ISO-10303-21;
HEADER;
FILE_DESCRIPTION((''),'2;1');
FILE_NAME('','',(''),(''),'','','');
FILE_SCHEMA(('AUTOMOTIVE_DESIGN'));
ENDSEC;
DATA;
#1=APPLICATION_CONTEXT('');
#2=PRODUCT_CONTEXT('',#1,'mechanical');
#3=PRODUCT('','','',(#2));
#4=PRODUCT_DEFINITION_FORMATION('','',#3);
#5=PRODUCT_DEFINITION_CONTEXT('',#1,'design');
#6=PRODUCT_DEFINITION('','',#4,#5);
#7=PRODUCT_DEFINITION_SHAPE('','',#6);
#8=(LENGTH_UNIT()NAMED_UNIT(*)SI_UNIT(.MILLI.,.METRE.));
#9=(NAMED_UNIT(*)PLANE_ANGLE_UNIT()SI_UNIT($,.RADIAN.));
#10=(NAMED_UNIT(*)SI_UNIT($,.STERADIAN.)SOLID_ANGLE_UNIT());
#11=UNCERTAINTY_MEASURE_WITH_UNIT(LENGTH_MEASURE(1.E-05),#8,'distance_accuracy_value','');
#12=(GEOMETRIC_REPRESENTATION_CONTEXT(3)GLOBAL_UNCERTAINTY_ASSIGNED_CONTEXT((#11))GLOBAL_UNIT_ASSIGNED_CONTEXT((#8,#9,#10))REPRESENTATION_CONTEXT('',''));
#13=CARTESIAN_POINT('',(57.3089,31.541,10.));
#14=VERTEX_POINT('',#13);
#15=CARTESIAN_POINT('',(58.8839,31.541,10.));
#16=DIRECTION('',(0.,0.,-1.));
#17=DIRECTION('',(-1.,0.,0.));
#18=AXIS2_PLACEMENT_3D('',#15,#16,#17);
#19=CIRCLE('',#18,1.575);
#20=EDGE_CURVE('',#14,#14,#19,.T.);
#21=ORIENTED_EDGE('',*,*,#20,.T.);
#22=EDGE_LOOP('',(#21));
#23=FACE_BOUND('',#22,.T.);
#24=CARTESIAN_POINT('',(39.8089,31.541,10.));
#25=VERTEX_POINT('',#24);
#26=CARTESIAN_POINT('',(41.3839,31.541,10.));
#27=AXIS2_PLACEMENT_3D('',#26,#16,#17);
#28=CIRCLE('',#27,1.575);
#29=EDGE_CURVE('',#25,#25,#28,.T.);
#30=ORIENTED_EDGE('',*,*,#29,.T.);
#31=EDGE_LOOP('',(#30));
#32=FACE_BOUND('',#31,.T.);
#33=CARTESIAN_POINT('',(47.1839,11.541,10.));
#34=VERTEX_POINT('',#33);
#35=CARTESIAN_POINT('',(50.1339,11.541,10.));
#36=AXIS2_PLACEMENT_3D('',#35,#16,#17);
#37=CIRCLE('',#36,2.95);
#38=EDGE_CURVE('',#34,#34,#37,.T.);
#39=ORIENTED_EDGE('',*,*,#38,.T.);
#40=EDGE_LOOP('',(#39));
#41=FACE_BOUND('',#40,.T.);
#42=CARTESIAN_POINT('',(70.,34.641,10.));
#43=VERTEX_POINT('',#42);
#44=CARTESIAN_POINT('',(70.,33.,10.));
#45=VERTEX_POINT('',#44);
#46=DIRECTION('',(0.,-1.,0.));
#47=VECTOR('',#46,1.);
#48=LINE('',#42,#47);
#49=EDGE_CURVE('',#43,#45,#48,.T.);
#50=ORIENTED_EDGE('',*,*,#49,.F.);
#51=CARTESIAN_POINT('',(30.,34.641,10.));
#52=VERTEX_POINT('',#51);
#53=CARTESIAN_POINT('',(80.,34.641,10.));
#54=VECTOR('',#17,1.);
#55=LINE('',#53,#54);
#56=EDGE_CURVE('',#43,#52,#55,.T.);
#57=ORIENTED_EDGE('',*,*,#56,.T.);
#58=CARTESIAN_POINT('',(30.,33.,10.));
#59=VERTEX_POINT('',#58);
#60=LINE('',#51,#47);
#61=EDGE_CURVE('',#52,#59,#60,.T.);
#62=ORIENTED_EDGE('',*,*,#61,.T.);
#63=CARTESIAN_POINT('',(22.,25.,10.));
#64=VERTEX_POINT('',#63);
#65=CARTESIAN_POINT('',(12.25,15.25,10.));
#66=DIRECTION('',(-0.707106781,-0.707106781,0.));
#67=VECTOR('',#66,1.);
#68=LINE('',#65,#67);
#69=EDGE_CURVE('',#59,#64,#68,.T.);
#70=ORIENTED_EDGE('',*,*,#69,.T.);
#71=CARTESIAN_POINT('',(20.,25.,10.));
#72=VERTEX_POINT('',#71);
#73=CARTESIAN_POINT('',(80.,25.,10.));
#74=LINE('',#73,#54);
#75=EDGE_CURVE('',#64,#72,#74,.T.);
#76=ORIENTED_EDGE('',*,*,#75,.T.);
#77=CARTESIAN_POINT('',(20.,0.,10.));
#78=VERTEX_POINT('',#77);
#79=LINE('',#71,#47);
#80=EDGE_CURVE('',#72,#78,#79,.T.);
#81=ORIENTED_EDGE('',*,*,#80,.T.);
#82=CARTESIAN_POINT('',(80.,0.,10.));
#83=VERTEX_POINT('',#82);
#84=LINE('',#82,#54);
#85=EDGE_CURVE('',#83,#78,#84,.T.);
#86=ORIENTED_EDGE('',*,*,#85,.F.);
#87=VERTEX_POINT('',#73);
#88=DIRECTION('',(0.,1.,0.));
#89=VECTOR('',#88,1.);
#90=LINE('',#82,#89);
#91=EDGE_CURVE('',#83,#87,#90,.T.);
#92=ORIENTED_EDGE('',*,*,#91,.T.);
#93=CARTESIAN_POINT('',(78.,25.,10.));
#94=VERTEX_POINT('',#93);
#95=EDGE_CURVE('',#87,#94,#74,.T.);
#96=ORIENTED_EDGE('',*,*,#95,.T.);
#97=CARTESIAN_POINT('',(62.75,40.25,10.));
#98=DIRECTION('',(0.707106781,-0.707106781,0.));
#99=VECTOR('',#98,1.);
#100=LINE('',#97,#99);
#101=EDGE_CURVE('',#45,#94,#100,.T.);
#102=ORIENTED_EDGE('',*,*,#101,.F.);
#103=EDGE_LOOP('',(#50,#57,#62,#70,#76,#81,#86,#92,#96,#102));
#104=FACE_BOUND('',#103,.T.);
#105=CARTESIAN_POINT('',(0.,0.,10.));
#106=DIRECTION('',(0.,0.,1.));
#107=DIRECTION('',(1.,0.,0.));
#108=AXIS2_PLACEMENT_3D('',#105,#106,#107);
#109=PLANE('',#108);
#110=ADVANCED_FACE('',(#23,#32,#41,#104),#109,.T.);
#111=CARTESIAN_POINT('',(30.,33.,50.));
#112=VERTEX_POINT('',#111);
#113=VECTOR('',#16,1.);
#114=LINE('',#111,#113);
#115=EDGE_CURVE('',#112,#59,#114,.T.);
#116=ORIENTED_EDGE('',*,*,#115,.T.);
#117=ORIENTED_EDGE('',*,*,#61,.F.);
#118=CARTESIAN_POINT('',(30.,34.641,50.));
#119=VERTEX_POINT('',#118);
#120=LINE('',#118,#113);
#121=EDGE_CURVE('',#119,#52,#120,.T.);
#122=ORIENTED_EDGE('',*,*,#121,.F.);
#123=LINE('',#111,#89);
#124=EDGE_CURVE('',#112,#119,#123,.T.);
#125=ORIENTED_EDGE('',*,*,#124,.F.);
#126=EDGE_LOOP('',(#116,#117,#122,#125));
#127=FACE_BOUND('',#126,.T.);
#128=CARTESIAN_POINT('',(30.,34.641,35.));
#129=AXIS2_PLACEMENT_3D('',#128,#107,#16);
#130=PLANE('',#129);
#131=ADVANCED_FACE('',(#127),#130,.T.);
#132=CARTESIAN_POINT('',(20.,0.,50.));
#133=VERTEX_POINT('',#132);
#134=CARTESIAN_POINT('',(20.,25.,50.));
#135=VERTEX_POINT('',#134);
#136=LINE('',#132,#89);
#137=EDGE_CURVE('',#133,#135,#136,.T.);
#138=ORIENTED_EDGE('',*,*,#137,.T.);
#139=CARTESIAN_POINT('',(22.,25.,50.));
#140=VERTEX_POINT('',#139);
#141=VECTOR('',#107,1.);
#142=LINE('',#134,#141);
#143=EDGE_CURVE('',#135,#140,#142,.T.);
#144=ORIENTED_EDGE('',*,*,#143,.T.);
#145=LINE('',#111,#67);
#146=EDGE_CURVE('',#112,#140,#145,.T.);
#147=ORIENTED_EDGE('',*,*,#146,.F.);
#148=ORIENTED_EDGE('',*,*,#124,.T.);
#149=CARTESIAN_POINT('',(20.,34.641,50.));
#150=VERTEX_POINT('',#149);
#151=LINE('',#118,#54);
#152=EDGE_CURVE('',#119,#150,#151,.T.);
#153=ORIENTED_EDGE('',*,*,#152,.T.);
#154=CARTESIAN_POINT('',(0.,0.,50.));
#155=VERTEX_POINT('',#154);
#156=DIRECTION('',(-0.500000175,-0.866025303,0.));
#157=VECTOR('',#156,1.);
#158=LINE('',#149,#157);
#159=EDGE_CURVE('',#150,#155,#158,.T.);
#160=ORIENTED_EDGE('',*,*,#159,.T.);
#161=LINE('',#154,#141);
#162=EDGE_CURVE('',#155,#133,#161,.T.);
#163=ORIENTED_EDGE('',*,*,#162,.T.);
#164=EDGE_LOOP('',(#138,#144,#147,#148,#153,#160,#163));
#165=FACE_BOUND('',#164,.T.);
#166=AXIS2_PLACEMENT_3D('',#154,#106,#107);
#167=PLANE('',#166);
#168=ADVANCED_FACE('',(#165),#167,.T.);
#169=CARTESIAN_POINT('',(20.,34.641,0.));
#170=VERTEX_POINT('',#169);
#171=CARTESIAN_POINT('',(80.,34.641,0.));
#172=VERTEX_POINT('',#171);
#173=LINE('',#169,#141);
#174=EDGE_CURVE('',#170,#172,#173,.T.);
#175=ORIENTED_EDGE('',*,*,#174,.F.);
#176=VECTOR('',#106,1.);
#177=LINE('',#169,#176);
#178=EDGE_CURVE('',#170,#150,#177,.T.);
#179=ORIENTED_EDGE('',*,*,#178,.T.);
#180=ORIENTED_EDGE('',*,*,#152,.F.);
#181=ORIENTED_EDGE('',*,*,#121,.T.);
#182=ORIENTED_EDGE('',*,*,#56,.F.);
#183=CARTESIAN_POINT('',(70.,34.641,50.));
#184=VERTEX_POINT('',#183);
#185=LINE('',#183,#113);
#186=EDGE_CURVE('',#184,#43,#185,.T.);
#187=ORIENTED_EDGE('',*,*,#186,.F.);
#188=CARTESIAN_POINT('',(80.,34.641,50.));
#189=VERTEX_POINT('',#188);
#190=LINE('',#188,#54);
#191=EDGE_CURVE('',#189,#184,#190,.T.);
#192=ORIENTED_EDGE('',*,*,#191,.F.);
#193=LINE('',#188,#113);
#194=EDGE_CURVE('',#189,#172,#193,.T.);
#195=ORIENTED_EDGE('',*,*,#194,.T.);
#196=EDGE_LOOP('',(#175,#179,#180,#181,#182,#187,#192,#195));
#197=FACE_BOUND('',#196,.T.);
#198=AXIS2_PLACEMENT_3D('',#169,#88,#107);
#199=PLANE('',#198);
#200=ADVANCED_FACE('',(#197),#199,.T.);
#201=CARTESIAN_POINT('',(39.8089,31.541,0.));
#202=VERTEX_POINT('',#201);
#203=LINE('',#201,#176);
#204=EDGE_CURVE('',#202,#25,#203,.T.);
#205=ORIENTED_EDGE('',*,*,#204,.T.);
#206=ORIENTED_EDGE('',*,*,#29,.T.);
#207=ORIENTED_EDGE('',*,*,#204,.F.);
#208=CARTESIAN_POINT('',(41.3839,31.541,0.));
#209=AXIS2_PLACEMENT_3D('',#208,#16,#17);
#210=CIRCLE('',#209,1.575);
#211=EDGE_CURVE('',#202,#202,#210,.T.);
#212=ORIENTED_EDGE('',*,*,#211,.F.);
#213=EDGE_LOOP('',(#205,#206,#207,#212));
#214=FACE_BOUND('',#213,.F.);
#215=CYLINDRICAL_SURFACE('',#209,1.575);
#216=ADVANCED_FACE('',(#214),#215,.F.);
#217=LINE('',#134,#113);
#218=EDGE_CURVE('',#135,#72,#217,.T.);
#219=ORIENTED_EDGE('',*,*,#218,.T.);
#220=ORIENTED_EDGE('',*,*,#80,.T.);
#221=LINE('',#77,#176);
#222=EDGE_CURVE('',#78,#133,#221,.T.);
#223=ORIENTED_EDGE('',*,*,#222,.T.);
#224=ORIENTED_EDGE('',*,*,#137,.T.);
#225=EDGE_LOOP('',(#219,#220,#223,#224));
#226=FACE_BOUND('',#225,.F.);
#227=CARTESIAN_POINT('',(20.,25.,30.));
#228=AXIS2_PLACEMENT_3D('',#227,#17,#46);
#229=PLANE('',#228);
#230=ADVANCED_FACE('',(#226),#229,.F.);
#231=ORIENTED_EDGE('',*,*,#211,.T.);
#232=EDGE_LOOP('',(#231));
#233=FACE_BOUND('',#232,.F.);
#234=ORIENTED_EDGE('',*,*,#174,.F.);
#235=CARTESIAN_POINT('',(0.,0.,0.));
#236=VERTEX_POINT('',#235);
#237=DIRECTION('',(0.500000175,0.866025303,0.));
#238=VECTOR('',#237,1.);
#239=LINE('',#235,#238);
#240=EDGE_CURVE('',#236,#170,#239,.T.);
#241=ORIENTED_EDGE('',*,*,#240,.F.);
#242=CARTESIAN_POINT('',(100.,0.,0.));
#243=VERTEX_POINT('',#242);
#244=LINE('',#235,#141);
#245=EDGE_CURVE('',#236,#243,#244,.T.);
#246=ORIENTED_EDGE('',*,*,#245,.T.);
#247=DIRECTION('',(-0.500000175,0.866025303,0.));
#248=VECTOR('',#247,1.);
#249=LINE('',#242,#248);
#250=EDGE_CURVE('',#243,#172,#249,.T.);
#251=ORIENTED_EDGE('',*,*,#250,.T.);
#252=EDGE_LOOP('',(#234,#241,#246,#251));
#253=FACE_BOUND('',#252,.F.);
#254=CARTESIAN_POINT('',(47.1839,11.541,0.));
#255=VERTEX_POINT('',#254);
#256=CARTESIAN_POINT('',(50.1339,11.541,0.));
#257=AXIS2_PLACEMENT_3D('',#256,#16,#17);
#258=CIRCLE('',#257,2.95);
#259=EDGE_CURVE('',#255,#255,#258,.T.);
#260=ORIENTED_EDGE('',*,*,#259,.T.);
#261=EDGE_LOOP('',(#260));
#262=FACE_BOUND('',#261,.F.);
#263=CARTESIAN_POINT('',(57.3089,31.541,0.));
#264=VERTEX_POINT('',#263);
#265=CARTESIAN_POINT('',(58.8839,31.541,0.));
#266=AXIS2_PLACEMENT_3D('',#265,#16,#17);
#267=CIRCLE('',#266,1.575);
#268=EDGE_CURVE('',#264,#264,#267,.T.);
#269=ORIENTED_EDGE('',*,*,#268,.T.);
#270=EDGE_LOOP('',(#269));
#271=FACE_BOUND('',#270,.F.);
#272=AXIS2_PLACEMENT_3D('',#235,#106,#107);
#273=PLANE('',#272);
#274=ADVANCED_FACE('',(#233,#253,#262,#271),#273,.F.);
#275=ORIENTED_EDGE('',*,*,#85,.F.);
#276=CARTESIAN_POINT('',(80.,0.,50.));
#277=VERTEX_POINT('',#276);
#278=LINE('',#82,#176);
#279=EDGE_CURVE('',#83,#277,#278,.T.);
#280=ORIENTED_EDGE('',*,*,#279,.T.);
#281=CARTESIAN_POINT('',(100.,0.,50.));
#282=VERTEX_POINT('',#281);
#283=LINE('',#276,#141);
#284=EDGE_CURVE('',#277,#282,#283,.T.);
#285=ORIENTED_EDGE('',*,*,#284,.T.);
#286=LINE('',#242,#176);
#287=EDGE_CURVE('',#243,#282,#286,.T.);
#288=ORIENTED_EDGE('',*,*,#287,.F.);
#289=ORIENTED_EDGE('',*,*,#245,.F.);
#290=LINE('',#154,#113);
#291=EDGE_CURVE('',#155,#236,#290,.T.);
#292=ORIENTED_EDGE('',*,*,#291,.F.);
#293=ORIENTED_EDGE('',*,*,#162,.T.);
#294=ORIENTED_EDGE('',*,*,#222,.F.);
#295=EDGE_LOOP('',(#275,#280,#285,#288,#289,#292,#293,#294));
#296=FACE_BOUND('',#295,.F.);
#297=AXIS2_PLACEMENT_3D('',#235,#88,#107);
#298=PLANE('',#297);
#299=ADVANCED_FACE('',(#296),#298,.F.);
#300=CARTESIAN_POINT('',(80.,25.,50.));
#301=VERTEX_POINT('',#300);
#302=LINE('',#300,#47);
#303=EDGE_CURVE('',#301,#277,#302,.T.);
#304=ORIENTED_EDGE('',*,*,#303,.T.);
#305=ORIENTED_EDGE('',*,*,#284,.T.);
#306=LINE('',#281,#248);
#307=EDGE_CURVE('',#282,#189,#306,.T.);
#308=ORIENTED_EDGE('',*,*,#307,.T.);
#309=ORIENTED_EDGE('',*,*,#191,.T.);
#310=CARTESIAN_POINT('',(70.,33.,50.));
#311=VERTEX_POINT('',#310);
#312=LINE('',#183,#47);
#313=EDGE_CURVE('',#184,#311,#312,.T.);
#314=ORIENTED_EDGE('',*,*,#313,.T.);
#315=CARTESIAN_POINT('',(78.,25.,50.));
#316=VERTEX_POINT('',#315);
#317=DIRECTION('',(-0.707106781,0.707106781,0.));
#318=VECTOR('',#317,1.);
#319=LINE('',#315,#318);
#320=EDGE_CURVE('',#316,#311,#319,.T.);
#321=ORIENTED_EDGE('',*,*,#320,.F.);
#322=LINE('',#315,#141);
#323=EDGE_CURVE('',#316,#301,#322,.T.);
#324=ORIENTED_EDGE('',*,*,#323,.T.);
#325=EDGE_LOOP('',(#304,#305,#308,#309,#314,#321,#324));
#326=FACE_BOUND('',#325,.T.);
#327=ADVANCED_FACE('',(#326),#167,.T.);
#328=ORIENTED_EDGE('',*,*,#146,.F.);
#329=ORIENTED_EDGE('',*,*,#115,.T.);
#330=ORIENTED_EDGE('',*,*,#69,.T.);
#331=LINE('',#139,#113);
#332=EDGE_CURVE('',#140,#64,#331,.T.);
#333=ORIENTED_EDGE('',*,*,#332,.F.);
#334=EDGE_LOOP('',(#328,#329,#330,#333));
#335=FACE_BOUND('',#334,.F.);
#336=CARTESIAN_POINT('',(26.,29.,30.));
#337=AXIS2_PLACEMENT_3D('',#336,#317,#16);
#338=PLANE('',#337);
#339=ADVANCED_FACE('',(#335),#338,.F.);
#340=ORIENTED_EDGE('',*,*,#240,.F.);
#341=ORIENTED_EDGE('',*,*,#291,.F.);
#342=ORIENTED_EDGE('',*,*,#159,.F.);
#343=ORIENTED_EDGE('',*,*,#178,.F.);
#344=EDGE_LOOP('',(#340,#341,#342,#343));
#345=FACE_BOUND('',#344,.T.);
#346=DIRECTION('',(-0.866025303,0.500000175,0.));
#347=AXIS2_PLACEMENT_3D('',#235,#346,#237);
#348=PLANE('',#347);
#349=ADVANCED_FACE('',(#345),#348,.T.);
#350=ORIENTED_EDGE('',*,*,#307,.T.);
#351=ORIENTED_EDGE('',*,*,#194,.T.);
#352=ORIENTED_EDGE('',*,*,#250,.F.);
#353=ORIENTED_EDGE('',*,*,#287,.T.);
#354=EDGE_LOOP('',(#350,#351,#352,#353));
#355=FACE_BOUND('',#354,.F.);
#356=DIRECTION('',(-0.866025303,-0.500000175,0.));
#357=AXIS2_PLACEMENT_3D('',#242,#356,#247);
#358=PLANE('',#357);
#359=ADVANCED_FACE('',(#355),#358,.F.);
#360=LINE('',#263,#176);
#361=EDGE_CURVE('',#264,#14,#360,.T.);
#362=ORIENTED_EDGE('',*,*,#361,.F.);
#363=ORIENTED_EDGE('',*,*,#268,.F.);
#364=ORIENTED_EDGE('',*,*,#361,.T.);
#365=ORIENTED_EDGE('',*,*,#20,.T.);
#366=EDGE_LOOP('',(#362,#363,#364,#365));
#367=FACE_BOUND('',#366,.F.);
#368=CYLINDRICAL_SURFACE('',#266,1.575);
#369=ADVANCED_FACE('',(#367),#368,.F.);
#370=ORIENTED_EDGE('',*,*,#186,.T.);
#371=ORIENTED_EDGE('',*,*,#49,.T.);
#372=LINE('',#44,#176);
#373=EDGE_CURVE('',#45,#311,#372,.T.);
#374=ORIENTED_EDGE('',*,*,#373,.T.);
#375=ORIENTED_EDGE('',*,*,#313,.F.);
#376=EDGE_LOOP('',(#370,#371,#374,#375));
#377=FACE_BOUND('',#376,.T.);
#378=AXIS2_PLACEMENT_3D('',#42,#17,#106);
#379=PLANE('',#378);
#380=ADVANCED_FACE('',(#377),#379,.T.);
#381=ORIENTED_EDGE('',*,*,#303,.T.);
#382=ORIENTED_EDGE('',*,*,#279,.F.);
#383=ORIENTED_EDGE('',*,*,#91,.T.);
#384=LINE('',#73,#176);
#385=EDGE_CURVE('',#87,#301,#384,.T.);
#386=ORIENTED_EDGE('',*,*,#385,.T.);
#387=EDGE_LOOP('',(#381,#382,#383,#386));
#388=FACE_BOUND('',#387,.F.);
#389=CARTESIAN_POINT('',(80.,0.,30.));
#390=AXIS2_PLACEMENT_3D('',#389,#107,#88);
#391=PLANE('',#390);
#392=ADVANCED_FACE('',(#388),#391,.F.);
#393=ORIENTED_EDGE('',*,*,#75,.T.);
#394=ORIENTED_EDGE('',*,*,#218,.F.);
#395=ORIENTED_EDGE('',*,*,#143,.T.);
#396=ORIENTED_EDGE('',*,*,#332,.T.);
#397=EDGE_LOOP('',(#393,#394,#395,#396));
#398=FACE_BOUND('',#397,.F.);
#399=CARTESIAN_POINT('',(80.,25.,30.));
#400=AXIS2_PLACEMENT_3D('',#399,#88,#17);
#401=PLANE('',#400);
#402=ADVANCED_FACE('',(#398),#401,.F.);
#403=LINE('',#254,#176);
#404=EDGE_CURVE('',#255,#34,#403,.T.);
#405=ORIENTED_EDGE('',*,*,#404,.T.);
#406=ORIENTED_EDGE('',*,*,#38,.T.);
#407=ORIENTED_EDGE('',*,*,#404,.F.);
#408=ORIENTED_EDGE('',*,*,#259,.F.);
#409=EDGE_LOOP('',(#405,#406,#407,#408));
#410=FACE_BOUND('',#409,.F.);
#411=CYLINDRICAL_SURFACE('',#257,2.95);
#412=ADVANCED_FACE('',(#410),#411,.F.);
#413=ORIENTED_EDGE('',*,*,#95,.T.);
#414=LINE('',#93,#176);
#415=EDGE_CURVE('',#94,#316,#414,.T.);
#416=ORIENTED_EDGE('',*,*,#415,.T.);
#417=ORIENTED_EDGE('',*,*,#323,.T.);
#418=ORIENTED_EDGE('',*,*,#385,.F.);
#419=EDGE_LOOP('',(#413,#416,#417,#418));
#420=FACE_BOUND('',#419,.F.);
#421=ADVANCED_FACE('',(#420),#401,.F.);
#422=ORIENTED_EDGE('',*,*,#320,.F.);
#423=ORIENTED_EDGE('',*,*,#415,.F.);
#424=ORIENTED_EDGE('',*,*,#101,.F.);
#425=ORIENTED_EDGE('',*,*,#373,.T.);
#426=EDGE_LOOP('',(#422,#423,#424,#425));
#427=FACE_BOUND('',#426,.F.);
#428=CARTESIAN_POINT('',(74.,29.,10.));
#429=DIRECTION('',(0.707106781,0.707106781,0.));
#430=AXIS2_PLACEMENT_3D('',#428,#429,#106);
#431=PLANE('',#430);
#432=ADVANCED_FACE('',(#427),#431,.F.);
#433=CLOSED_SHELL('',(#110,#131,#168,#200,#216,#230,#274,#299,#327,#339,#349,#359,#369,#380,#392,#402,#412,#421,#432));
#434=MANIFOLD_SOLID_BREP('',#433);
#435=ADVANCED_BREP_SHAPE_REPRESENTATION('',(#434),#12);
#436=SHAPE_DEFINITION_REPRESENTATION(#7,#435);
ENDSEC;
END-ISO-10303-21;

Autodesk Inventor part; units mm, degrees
ref_plane "YZ Plane" through (0, 0, 0) normal (1, 0, 0) x (0, 1, 0)
ref_plane "XZ Plane" through (0, 0, 0) normal (0, 1, 0) x (-1, 0, 0)
ref_plane "XY Plane" through (0, 0, 0) normal (0, 0, 1) x (1, 0, 0)
sketch "Sketch1" plane through (0, 0, 0) normal (0, 0, 1) x (1, 0, 0)
  line L0 (0, 0) -> (100, 0)
  line L1 (0, 0) -> (20, 34.641)
  line L2 (0, 0) -> (40, 0) construction
  line L3 (100, 0) -> (80, 34.641)
  line L4 (100, 0) -> (140, 0) construction
  line L5 (20, 34.641) -> (80, 34.641)
  dimension "d0" = 100
  dimension "d1" = 40
  dimension "d2" = 60
  dimension "d3" = 40
  dimension "d4" = 120
extrude "Extrusion1" add sketch "Sketch1" along normal blind 30
sketch "Sketch2" plane through (0, 0, 30) normal (0, 0, 1) x (1, 0, 0)
  line L0 (0, 0) -> (100, 0) projected
  line L1 (20, 0) -> (80, 0)
  line L2 (80, 0) -> (80, 25)
  line L3 (80, 25) -> (20, 25)
  line L4 (20, 25) -> (20, 0)
  dimension "d7" = 60
  dimension "d8" = 25
  dimension "d9" = 20
extrude "Extrusion2" cut sketch "Sketch2" against normal blind 20
ref_plane "Work Plane1" through (0, -10, 0) normal (0, -1, 0) x (1, 0, 0)
sketch "Sketch4" plane through (20, 34.641, 0) normal (0, 1, 0) x (1, 0, 0)
  line L0 (60, -10) -> (0, -10) projected
  line L1 (10, -10) -> (50, -10)
  line L2 (50, -10) -> (50, -35)
  line L3 (50, -35) -> (10, -35)
  line L4 (10, -35) -> (10, -10)
  point P0 (-20, 0)
  point P1 (30, -10)
  point P2 (50, -10)
  dimension "d19" = 40
  dimension "d20" = 25
  dimension "d21" = 20
extrude "Extrusion4" cut sketch "Sketch4" against normal through all
chamfer "Chamfer1" distance 8 angle 45 1 edges at (30, 25, 20)
chamfer "Chamfer2" distance 8 angle 45 1 edges at (70, 25, 20)
sketch "Sketch6" plane through (0, 0, 30) normal (0, 0, 1) x (1, 0, 0)
  line L0 (30, 33) -> (22, 25) projected
  line L1 (30, 33) -> (30, 34.641) projected
  line L2 (30, 34.641) -> (20, 34.641) projected
  line L3 (20, 34.641) -> (0, 0) projected
  line L4 (0, 0) -> (20, 0) projected
  line L5 (20, 0) -> (20, 25) projected
  line L6 (20, 25) -> (22, 25) projected
  line L7 (78, 25) -> (70, 33) projected
  line L8 (78, 25) -> (80, 25) projected
  line L9 (80, 25) -> (80, 0) projected
  line L10 (80, 0) -> (100, 0) projected
  line L11 (100, 0) -> (80, 34.641) projected
  line L12 (80, 34.641) -> (70, 34.641) projected
  line L13 (70, 34.641) -> (70, 33) projected
extrude "Extrusion6" add sketch "Sketch6" along normal blind 20
sketch "Sketch8" plane through (0, 0, 0) normal (0, 0, -1) x (-1, 0, 0)
  line L0 (-39.0839, 36.891) -> (-43.0739, 36.891) projected
  line L1 (-43.0739, 48.241) -> (-43.0739, 36.891) projected
  line L2 (-57.1939, 48.241) -> (-43.0739, 48.241) projected
  line L3 (-57.1939, 48.241) -> (-57.1939, 36.891) projected
  line L4 (-57.1939, 36.891) -> (-61.1839, 36.891) projected
  line L5 (-61.1839, 36.891) -> (-61.1839, 5.041) projected
  line L6 (-56.3339, 0.191) -> (-43.9339, 0.191) projected
  line L7 (-39.0839, 5.041) -> (-39.0839, 36.891) projected
  line L8 (-52.9432, 43.5972) -> (-47.3245, 43.5972) projected
  line L9 (-52.9432, 43.5972) -> (-52.9432, 44.1479) projected
  line L10 (-52.4839, 44.6341) -> (-52.9432, 44.1479) projected
  line L11 (-52.4839, 44.6341) -> (-47.7839, 44.6341) projected
  line L12 (-47.3245, 44.1479) -> (-47.7839, 44.6341) projected
  line L13 (-47.3245, 44.1479) -> (-47.3245, 43.5972) projected
  circle A0 centre (-58.8839, 31.541) radius 1.575
  circle A1 centre (-41.3839, 31.541) radius 1.575
  circle A2 centre (-50.1339, 11.541) radius 2.75
  circle A3 centre (-50.1339, 11.541) radius 2.95
  arc A4 (-61.1839, 5.041) -> (-56.3339, 0.191) centre (-56.3339, 5.041) ccw projected
  arc A5 (-43.9339, 0.191) -> (-39.0839, 5.041) centre (-43.9339, 5.041) ccw projected
  circle A6 centre (-50.1339, 11.541) radius 2.75 projected
  circle A7 centre (-41.6839, 2.741) radius 0.75 projected
  circle A8 centre (-58.5839, 2.741) radius 0.75 projected
  circle A9 centre (-40.7939, 35.041) radius 1 projected
  circle A10 centre (-59.4739, 35.041) radius 1 projected
  circle A11 centre (-58.8839, 31.541) radius 1.575 projected
  circle A12 centre (-41.3839, 31.541) radius 1.575 projected
  point P0 (0, 0)
extrude "Extrusion8" cut sketch "Sketch8" against normal up to surface (10 mm away) contours A0 | A1 | A2 | A3
properties part number "Wheel_well"
